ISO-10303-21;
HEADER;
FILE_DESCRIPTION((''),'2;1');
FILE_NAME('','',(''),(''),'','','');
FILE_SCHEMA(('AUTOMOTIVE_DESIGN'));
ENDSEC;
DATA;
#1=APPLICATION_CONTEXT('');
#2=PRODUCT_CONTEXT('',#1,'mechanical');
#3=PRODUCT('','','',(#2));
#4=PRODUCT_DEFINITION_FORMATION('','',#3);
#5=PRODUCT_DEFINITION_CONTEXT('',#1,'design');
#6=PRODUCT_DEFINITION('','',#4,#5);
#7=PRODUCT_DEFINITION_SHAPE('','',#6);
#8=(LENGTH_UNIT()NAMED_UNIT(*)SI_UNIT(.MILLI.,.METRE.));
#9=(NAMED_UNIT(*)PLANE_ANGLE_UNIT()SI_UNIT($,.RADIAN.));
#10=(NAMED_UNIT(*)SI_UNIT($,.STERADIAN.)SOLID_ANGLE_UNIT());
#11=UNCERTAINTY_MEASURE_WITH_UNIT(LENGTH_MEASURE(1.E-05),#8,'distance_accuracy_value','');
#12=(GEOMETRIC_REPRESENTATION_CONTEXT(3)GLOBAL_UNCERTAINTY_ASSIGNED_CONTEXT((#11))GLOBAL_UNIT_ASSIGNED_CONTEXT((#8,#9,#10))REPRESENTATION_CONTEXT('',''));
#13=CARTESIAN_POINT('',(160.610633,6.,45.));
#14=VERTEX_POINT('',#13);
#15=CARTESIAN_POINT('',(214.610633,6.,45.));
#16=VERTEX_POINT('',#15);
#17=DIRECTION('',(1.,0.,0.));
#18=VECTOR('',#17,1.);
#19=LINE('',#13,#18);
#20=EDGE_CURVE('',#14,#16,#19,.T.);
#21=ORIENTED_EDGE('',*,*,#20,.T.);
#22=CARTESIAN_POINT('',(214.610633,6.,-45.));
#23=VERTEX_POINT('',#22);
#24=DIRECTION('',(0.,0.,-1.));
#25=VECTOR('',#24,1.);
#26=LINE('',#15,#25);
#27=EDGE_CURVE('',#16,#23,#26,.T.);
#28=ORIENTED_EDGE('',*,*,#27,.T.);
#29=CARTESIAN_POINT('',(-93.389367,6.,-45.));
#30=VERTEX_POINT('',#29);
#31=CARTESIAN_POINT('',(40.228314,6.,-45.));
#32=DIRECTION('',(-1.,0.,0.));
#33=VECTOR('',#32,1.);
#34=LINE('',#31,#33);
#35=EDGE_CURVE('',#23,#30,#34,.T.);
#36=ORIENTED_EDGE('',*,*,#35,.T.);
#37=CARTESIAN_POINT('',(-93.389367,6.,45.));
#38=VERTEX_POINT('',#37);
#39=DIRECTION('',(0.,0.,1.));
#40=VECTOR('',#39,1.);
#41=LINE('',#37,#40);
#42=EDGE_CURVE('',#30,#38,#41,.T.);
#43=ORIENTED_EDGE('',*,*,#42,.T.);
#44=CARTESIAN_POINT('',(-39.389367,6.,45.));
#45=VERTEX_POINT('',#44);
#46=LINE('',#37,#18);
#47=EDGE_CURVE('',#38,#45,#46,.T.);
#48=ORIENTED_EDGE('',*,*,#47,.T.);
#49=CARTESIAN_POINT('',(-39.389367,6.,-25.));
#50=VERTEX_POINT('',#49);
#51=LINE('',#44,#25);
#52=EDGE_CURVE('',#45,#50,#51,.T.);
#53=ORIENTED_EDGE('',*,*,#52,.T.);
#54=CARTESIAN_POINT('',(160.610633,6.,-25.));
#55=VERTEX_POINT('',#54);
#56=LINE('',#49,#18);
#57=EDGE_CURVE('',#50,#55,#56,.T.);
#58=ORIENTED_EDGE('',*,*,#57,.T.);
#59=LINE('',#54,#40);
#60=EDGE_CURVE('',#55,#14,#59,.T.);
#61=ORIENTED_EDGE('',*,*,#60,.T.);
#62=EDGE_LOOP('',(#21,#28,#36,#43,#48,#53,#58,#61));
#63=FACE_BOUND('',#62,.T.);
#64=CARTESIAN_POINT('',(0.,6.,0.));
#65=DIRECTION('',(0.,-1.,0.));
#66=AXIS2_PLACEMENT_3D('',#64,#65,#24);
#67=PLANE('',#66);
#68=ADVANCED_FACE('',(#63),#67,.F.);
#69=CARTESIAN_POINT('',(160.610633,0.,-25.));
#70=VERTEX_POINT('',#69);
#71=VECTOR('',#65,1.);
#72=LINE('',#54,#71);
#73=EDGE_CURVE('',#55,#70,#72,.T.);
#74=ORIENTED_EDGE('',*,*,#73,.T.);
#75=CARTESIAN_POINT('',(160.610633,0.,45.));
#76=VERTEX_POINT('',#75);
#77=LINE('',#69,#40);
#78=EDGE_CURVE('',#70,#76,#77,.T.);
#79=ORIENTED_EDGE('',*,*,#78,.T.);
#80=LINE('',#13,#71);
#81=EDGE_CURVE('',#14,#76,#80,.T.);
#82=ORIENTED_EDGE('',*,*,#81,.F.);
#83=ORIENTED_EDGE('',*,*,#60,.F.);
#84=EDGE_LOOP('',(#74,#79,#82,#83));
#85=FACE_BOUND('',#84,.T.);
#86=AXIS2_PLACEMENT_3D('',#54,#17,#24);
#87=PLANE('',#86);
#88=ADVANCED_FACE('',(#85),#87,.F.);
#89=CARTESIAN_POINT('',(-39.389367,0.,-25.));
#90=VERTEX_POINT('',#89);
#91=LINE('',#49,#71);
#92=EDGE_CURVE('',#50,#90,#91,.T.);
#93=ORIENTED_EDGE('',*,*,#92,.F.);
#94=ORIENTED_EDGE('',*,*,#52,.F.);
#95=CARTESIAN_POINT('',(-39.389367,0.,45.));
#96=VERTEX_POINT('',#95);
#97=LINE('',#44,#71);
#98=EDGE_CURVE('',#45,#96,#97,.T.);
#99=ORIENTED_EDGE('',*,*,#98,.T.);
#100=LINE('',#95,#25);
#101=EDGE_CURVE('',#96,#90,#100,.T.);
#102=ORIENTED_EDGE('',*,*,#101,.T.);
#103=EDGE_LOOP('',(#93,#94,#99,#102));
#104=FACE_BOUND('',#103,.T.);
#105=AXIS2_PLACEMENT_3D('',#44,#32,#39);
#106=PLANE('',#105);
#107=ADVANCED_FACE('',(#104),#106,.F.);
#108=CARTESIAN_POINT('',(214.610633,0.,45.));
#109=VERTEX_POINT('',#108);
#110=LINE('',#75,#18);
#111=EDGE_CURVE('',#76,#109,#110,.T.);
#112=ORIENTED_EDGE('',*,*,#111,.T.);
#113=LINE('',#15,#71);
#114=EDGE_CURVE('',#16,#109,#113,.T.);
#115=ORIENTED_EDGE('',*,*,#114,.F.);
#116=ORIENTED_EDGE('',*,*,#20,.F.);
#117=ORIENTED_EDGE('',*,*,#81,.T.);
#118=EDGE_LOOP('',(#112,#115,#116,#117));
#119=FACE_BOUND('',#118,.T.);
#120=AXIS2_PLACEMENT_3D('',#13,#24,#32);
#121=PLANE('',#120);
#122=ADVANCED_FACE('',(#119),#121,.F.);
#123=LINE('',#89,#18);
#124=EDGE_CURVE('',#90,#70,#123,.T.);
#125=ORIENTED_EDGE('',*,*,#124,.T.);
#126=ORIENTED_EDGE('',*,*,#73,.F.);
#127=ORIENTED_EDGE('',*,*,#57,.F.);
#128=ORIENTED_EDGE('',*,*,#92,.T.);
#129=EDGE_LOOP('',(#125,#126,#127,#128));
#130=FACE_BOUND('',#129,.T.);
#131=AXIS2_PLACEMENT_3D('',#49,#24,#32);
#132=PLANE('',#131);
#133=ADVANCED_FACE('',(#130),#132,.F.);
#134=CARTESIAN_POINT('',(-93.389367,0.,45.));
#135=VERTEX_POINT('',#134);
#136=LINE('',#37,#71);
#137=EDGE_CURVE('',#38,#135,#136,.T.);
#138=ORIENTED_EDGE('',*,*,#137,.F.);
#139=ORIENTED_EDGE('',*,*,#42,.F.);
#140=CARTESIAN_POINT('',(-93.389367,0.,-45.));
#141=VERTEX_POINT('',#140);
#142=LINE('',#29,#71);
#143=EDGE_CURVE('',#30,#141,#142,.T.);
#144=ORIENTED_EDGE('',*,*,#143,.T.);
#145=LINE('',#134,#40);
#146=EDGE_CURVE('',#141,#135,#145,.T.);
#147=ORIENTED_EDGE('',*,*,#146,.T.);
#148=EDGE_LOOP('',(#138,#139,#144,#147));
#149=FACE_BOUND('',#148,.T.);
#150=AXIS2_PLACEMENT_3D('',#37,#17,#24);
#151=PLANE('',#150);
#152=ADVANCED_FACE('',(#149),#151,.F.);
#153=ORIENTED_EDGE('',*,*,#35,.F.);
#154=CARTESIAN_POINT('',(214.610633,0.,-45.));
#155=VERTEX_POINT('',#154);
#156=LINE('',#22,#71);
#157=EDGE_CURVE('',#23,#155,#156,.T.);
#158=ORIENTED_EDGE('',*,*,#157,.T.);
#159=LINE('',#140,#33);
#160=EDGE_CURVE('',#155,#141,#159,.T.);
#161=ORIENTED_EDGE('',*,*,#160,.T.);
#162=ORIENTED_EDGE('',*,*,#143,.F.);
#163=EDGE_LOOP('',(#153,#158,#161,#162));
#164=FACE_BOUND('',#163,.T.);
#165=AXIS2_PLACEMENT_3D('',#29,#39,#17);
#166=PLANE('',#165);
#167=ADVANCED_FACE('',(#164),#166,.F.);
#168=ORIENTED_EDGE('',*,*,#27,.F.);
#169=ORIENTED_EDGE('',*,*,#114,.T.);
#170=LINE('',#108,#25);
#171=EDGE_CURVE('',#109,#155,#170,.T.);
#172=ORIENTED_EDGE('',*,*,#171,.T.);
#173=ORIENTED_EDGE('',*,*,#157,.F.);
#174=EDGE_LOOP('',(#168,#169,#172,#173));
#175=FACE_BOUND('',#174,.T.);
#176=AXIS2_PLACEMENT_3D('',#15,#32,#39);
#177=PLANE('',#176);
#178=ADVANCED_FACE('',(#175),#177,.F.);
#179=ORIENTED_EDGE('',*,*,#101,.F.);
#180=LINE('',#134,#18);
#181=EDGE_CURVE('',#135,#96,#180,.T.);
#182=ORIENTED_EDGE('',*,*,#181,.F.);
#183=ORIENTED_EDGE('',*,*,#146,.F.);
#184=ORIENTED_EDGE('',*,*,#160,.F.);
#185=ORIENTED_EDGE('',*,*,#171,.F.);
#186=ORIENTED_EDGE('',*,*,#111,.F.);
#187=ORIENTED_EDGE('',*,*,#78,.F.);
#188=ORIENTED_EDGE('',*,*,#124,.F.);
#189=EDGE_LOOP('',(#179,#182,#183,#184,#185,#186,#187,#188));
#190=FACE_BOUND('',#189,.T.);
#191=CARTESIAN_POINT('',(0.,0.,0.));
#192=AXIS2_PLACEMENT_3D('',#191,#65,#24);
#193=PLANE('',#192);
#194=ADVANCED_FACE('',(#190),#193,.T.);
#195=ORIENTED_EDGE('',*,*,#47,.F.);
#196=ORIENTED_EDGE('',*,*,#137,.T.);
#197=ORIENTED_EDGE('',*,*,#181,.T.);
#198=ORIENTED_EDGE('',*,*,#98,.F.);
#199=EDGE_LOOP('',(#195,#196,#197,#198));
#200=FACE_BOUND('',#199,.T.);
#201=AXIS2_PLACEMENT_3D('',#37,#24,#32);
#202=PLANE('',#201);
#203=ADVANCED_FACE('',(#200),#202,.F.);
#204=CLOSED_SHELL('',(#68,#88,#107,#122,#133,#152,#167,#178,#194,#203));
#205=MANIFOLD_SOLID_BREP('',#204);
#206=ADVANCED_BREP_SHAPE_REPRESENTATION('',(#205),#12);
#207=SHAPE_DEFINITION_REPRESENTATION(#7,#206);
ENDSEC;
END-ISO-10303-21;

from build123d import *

# Parameters (mm, degrees)
BOSS_EXTRUDE1_DEPTH = 6


with BuildPart() as part:
    # Sketch1 → Boss-Extrude1 (new body)
    with BuildSketch(Plane(origin=(0, 0, 0), x_dir=(1, 0, 0), z_dir=(0, 1, 0))):
        Polygon((-39.389366712, -45), (-39.389366712, 25), (160.610633288, 25), (160.610633288, -45), (214.610633288, -45), (214.610633288, 45), (40.228314039, 45), (-93.389366712, 45), (-93.389366712, -45), align=None)
    extrude(amount=BOSS_EXTRUDE1_DEPTH)


solid = part.part
